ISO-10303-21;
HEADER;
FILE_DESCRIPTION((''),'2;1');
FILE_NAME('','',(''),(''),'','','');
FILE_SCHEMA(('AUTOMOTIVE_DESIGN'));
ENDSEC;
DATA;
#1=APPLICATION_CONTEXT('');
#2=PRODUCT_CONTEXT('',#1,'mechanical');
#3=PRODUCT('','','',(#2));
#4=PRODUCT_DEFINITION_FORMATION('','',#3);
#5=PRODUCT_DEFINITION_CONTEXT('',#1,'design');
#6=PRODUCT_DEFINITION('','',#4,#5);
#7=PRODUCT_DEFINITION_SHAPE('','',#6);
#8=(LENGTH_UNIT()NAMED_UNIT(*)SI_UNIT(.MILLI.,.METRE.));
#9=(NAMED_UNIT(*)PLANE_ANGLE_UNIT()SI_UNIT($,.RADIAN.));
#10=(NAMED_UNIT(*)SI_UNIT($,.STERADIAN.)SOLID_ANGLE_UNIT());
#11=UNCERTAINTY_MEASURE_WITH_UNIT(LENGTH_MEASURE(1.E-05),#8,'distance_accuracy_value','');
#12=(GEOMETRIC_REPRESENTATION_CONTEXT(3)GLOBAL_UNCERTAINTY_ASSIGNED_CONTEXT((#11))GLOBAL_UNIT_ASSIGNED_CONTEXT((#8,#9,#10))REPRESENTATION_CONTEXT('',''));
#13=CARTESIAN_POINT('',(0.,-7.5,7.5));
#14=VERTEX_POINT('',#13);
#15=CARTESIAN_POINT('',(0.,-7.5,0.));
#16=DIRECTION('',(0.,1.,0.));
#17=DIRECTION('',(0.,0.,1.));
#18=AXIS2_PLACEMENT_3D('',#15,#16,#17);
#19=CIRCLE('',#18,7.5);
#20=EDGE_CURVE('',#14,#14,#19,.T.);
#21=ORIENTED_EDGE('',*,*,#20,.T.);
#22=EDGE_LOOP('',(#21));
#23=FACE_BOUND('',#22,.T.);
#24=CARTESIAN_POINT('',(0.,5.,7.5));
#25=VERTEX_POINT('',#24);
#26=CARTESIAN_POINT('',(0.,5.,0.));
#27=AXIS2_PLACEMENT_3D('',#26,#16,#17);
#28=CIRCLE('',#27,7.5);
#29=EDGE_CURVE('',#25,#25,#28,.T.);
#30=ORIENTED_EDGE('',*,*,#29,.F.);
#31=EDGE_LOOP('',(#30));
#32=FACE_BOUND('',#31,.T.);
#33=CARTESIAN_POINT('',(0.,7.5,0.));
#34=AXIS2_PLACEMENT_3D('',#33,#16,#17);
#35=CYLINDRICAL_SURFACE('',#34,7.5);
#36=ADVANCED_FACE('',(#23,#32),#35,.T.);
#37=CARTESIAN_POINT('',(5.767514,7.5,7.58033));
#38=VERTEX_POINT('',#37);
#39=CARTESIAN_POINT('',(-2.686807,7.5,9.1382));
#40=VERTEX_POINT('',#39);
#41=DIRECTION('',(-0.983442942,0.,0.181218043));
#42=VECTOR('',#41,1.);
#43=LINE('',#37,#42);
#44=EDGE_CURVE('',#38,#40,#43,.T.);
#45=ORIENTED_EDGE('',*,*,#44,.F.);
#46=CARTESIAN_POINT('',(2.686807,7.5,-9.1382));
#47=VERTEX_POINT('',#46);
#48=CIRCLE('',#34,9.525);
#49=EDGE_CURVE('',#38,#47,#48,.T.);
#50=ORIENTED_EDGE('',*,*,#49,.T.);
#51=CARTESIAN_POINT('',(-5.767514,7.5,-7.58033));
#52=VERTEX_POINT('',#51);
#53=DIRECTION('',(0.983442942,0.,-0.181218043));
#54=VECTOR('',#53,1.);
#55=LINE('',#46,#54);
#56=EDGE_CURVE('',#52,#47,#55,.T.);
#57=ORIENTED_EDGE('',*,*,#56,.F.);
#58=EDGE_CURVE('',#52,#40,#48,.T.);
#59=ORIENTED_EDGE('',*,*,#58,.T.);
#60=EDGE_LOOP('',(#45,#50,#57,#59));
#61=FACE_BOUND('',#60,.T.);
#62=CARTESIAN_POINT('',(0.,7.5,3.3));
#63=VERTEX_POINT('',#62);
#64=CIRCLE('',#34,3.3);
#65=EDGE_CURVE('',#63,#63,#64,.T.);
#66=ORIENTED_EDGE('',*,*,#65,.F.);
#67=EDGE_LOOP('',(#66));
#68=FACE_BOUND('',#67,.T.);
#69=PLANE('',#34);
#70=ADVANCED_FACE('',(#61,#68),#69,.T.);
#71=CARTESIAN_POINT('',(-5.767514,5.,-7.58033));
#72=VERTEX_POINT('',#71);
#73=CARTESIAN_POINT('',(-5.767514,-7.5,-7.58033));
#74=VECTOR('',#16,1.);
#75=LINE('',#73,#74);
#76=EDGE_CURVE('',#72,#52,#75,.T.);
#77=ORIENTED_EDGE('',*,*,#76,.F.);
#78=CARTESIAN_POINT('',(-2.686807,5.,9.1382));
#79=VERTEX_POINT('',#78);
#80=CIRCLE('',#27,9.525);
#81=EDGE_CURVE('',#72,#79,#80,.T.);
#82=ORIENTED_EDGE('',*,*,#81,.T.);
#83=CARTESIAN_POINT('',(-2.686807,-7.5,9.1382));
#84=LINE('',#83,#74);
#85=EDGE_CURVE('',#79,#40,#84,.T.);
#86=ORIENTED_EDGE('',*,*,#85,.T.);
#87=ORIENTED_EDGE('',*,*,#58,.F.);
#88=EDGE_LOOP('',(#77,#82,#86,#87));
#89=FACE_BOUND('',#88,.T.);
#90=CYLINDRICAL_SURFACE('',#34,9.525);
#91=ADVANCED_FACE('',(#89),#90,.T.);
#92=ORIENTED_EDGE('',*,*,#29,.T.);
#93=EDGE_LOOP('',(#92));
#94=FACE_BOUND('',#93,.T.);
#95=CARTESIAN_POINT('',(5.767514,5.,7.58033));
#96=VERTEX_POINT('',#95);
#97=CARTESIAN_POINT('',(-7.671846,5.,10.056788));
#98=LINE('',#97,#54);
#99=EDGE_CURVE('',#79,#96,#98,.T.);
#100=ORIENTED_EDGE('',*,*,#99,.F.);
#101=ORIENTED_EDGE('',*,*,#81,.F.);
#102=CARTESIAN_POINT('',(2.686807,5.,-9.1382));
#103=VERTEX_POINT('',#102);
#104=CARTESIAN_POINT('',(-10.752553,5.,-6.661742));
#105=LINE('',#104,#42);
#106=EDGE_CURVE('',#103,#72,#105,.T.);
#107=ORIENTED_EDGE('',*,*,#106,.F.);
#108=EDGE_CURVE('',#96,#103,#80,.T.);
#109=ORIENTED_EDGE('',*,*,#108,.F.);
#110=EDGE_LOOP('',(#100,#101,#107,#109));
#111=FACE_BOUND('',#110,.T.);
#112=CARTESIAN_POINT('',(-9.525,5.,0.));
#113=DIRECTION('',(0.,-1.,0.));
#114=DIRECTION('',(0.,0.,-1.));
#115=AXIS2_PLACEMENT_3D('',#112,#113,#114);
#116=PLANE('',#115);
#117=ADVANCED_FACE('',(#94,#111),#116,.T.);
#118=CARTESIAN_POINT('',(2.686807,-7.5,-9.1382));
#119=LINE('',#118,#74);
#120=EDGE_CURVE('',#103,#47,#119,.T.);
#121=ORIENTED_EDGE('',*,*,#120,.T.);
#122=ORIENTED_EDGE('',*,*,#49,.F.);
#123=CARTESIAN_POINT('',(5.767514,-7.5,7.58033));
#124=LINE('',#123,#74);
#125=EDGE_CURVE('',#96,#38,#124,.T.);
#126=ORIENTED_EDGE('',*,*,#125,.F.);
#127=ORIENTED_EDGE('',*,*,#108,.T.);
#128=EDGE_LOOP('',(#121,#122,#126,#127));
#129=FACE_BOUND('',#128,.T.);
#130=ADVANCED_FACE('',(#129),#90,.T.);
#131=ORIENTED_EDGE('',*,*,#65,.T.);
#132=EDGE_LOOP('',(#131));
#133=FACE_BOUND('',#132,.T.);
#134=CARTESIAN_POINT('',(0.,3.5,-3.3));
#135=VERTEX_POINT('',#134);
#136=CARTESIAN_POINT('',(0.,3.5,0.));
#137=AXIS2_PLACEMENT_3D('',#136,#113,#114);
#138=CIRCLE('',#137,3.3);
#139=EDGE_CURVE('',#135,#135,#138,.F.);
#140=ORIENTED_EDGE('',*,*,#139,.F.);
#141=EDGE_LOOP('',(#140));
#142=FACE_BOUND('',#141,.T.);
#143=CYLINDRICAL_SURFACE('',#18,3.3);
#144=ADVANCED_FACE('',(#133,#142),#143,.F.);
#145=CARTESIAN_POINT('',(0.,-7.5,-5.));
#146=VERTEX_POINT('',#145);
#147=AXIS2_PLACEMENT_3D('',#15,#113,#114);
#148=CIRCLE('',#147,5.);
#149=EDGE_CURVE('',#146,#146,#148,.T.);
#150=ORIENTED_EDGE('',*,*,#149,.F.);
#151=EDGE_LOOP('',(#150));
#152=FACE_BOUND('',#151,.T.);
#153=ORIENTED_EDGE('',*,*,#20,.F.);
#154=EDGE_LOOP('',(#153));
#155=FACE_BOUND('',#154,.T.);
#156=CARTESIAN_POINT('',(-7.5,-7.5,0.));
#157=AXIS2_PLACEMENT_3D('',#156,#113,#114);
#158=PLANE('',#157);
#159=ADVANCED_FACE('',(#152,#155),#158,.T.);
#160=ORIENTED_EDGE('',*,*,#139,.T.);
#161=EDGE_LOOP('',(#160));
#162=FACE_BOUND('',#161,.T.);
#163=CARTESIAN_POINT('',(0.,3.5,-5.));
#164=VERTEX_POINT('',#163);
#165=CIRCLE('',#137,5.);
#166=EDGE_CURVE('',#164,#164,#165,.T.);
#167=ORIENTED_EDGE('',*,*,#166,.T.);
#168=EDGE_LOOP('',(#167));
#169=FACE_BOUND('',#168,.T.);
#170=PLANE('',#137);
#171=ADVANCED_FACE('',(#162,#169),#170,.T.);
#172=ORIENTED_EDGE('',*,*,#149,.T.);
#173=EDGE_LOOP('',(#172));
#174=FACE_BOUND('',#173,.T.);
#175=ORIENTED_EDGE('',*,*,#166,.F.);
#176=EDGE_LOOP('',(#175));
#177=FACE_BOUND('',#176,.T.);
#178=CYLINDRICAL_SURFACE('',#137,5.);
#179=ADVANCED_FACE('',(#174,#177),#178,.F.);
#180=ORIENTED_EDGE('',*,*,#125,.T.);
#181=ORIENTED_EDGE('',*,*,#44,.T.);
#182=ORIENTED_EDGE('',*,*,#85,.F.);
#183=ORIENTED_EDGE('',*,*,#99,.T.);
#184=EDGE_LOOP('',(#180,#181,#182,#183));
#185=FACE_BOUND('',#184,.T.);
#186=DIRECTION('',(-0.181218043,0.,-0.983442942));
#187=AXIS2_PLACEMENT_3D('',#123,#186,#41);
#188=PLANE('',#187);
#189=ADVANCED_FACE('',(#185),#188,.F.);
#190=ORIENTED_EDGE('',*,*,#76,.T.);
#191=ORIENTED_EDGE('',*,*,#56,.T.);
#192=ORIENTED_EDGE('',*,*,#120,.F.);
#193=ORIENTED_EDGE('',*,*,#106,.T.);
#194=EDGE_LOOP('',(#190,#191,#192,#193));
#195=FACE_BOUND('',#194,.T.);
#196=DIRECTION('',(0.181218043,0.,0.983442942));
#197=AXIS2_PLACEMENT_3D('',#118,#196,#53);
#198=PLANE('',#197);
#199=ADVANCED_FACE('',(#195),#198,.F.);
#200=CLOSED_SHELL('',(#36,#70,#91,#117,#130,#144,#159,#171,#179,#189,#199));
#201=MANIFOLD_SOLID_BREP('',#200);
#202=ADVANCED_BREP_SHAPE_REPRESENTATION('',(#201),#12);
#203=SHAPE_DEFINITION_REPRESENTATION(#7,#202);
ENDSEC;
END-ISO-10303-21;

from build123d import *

# Parameters (mm, degrees)
SKETCH2_R          = 3.3
CUT_EXTRUDE1_DEPTH = 21.160636151
SKETCH3_R          = 5
CUT_EXTRUDE2_DEPTH = 11
CUT_EXTRUDE3_DEPTH = 21.160636151


with BuildPart() as part:
    # Sketch1 → Revolve1 (revolve)
    with BuildSketch(Plane.XY, mode=Mode.PRIVATE) as revolve1_sk:
        Polygon((0, 7.5), (-9.525, 7.5), (-9.525, 5), (-7.5, 5), (-7.5, -7.5), (0, -7.5), align=None)
    revolve(revolve1_sk.sketch.rotate(Axis((0, 7.5, 0), (0, -1, 0)), 270), axis=Axis((0, 7.5, 0), (0, -1, 0)))

    # Sketch2 → Cut-Extrude1 (cut, through all)
    with BuildSketch(Plane(origin=(0, 7.5, 0), x_dir=(1, 0, 0), z_dir=(0, 1, 0))):
        with Locations(Location((0, 0, 0), (0, 0, 270))):
            Circle(SKETCH2_R)
    extrude(amount=-CUT_EXTRUDE1_DEPTH, mode=Mode.SUBTRACT)

    # Sketch3 → Cut-Extrude2 (cut)
    with BuildSketch(Plane.XZ.offset(7.5)):
        with Locations(Location((0, 0, 0), (0, 0, 270))):
            Circle(SKETCH3_R)
    extrude(amount=-CUT_EXTRUDE2_DEPTH, mode=Mode.SUBTRACT)

    # Sketch4 → Cut-Extrude3 (cut, through all)
    with BuildSketch(Plane(origin=(0, 7.5, 0), x_dir=(1, 0, 0), z_dir=(0, 1, 0))):
        with BuildLine():
            Line((2.686807128, 9.138199629), (-5.767513864, 7.58033039))
            ThreePointArc((-5.767513864, 7.58033039), (-1.726101863, 9.367294025), (2.686807128, 9.138199629))
        make_face()
        with BuildLine():
            Line((5.767513864, -7.58033039), (-2.686807128, -9.138199629))
            ThreePointArc((-2.686807128, -9.138199629), (1.726101863, -9.367294025), (5.767513864, -7.58033039))
        make_face()
    extrude(amount=-CUT_EXTRUDE3_DEPTH, mode=Mode.SUBTRACT)


solid = part.part
